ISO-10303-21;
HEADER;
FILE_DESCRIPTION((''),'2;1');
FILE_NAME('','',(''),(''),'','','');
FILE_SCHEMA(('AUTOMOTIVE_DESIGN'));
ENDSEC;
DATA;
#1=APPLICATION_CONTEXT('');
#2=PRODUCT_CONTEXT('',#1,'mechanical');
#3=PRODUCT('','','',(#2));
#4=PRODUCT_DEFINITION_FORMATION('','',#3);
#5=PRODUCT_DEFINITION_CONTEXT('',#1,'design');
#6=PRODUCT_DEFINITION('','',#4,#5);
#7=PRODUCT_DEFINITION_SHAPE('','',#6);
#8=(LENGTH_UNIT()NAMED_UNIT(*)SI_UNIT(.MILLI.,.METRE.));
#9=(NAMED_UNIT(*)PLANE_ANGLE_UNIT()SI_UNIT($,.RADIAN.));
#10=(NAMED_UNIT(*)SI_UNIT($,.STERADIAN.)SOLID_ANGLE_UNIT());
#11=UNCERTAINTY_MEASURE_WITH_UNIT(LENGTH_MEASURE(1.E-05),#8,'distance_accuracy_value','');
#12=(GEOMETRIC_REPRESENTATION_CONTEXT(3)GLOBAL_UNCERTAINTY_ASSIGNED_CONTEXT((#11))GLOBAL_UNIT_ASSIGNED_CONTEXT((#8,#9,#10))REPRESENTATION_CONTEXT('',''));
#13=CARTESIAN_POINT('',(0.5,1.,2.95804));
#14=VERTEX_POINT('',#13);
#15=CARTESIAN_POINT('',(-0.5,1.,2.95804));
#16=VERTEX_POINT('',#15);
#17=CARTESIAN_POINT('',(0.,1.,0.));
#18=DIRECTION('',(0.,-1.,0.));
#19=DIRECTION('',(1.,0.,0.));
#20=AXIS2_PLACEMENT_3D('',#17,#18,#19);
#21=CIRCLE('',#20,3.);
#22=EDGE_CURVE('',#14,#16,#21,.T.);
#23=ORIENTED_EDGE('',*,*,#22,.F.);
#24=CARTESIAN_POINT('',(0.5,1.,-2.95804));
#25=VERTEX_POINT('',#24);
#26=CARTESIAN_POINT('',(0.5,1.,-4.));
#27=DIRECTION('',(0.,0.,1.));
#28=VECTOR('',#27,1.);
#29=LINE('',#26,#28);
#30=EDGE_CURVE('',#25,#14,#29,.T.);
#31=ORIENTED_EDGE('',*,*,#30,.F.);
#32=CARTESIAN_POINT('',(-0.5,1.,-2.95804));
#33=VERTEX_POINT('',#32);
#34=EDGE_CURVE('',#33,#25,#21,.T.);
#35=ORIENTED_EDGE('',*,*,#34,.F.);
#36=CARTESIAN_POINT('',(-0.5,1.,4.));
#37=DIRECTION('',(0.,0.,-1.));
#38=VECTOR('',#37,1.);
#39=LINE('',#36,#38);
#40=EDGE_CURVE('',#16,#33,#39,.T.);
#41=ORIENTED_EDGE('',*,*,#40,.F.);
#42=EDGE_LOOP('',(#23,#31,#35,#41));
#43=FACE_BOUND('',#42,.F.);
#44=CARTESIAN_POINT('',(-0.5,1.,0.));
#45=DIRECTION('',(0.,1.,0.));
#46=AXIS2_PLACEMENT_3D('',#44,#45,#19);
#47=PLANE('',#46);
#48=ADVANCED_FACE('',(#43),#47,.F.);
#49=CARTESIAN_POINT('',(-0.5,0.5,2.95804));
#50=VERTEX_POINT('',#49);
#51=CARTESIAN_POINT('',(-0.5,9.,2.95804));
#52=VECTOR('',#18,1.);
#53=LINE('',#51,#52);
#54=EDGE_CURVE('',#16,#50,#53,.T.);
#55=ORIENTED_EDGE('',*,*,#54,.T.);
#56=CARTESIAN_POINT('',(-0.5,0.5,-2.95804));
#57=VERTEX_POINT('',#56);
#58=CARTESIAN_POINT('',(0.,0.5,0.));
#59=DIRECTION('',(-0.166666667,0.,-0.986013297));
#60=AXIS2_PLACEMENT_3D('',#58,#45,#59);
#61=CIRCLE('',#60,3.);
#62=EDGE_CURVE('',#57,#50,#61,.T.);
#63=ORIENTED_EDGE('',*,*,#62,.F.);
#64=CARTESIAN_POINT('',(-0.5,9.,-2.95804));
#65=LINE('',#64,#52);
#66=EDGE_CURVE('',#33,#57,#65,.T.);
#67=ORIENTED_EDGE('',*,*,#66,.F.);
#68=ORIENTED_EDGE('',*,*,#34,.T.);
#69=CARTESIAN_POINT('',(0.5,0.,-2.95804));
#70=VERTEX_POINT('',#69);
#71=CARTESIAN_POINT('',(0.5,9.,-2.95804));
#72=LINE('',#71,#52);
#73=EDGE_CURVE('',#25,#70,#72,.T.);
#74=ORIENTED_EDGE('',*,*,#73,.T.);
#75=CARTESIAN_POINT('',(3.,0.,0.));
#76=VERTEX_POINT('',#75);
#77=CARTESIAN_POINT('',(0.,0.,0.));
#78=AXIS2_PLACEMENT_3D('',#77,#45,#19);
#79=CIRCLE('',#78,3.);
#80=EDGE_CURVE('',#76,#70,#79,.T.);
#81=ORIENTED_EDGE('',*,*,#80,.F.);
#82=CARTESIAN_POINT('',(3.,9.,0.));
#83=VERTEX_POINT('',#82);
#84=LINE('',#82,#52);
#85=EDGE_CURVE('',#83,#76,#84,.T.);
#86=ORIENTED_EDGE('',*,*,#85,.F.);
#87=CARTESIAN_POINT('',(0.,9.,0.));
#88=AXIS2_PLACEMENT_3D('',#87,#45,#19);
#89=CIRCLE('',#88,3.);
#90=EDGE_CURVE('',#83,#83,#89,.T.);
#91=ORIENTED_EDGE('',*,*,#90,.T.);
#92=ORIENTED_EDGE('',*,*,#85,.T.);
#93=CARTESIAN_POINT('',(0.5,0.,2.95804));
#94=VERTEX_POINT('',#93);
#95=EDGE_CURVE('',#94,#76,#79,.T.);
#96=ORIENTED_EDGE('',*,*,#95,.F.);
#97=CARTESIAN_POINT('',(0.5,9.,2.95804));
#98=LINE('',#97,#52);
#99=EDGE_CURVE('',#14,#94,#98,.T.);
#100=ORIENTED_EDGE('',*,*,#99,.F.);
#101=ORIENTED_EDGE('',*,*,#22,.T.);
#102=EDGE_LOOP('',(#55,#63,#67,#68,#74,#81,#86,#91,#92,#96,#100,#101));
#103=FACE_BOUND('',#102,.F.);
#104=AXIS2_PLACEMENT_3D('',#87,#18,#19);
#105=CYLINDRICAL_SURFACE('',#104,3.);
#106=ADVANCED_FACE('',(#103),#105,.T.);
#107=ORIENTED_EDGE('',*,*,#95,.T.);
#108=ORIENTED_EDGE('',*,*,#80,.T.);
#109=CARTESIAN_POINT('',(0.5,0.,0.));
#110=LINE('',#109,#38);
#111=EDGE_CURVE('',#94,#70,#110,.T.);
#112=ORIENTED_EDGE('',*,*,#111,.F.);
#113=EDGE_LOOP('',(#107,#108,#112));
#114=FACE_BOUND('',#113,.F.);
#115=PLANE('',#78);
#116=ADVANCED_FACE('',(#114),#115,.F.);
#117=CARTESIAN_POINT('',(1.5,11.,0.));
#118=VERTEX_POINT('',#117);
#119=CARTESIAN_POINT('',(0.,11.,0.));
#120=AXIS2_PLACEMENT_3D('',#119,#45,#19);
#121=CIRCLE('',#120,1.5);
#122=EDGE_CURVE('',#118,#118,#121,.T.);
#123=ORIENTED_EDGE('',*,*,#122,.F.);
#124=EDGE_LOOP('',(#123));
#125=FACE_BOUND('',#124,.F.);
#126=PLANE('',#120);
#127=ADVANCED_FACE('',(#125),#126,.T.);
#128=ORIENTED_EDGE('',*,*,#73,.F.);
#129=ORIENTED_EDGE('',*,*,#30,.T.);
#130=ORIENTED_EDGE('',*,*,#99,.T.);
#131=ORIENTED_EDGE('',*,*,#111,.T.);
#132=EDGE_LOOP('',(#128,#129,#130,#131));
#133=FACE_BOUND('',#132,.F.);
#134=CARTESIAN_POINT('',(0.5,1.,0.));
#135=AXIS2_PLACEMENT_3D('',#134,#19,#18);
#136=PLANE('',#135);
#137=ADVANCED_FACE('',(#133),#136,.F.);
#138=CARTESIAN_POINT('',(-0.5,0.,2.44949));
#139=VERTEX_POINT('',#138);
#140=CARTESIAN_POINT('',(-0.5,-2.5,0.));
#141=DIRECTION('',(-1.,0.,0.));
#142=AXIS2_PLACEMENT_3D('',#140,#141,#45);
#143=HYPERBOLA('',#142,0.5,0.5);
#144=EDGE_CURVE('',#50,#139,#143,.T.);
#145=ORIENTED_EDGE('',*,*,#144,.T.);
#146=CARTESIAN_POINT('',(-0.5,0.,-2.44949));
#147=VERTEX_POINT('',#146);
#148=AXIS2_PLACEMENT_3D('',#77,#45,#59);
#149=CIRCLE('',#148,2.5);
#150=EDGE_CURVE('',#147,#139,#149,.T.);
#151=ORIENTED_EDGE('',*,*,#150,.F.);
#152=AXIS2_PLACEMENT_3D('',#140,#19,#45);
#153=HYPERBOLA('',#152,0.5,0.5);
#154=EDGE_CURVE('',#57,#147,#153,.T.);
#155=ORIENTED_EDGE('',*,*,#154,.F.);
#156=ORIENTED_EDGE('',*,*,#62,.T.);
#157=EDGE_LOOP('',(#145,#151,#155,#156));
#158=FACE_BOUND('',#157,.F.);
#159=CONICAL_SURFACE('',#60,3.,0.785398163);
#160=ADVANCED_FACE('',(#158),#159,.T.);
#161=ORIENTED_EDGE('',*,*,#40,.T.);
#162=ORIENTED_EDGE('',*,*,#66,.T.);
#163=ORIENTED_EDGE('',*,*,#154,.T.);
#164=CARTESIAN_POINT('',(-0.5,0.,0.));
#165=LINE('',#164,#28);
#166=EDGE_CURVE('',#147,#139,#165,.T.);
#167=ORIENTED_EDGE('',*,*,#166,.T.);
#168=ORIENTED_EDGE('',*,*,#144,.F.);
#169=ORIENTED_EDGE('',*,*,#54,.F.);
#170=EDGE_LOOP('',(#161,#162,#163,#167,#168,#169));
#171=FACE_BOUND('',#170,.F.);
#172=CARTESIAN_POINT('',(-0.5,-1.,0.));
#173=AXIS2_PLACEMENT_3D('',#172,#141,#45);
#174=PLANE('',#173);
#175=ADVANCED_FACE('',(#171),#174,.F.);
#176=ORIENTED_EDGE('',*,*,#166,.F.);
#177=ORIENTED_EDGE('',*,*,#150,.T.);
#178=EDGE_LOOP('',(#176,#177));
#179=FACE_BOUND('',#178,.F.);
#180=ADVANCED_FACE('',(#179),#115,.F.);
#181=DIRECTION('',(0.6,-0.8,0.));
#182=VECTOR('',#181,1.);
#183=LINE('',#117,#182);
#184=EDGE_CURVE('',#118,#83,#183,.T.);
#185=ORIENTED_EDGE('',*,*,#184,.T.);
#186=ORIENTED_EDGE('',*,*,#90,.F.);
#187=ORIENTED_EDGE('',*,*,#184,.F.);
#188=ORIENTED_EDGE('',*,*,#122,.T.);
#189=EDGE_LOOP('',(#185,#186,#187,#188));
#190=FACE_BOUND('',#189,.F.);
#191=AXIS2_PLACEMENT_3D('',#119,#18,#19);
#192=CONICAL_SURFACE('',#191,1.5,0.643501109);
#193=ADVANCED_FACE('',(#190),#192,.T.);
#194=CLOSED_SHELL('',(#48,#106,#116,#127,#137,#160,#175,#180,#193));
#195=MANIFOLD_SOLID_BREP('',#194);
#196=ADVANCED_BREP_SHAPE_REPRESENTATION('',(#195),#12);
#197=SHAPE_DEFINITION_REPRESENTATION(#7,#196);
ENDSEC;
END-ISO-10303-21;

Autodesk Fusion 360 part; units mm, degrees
sketch "Sketch1" plane through (0, 0, 0) normal (0, 0, 1) x (1, 0, 0)
  line L0 (0, 0) -> (0, 11)
  line L1 (0, 11) -> (1.5, 11)
  line L2 (1.5, 11) -> (3, 9)
  line L3 (3, 9) -> (3, 0)
  line L4 (3, 0) -> (0, 0)
  dimension "d1" = 9
  dimension "d2" = 11
  dimension "d3" = 1.5
  dimension "d4" = 3
revolve "Revolve1" add sketch "Sketch1" angle 360 about axis through (0, 0, 0) along (0, 1, 0)
sketch "Sketch2" plane through (0, 0, 0) normal (0, 0, 1) x (1, 0, 0)
  line L0 (0.5, -1) -> (-0.5, -1)
  line L1 (-0.5, -1) -> (-0.5, 1)
  line L2 (-0.5, 1) -> (0.5, 1)
  line L3 (0.5, 1) -> (0.5, -1)
  line L4 (0.5, -1) -> (-0.5, 1) construction
  line L5 (-0.5, -1) -> (0.5, 1) construction
  dimension "d6" = 1
  dimension "d7" = 2
extrude "Extrude1" cut sketch "Sketch2" along normal through all and the other way through all
chamfer "Chamfer1" distance 0.5 angle 45 2 edges at (3, 0, 0) (-3, 0, 0)
thread "Thread1" thread offset 0 thread length 10
